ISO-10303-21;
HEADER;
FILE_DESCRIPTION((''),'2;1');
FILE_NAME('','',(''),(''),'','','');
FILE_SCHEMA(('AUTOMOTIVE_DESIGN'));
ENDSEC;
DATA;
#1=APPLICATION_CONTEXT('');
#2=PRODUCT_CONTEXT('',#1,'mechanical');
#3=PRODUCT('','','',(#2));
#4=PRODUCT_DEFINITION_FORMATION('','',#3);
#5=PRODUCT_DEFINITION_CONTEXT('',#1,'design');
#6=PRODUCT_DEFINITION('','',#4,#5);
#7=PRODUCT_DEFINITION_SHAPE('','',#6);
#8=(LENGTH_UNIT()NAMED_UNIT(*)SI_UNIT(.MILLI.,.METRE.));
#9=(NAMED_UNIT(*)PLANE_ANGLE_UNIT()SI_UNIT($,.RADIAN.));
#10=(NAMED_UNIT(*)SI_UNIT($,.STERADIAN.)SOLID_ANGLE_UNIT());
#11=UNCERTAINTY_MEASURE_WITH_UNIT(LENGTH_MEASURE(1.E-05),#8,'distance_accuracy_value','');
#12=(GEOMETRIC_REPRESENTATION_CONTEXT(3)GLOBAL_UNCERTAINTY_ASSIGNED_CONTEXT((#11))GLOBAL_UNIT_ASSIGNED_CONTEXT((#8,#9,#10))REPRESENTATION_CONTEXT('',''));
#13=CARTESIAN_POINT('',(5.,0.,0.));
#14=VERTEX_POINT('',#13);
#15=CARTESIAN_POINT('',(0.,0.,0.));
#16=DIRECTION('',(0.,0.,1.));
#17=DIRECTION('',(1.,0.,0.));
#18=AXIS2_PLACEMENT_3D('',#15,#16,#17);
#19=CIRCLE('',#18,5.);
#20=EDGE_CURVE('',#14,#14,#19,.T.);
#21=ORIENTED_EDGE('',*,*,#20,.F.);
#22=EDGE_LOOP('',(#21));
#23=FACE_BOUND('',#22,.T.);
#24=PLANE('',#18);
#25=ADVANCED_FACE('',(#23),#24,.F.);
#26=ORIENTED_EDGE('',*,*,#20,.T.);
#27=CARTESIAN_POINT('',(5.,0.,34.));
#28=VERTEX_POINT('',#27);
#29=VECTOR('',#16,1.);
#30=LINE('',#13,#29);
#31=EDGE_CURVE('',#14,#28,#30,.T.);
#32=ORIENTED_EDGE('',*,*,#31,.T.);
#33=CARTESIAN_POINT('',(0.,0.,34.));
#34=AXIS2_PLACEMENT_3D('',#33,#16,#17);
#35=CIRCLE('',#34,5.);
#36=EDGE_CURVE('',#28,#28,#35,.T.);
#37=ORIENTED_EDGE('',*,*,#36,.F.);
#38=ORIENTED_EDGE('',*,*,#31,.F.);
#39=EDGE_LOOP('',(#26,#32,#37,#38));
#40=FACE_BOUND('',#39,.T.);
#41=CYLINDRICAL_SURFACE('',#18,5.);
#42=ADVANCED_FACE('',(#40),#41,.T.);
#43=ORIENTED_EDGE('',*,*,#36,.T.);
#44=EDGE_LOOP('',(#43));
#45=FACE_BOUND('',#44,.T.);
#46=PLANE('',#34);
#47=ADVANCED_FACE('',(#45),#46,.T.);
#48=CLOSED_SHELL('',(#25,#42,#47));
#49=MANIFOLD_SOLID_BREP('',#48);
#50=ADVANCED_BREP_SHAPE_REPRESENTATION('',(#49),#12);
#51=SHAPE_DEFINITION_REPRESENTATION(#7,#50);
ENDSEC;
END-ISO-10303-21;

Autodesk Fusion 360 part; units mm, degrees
cylinder "CilindroPrimitivo1" add diameter 10 height 34 placed x (1, 0, 0) y (0, 1, 0) z (0, 0, 1) at (0, 0, 0)
